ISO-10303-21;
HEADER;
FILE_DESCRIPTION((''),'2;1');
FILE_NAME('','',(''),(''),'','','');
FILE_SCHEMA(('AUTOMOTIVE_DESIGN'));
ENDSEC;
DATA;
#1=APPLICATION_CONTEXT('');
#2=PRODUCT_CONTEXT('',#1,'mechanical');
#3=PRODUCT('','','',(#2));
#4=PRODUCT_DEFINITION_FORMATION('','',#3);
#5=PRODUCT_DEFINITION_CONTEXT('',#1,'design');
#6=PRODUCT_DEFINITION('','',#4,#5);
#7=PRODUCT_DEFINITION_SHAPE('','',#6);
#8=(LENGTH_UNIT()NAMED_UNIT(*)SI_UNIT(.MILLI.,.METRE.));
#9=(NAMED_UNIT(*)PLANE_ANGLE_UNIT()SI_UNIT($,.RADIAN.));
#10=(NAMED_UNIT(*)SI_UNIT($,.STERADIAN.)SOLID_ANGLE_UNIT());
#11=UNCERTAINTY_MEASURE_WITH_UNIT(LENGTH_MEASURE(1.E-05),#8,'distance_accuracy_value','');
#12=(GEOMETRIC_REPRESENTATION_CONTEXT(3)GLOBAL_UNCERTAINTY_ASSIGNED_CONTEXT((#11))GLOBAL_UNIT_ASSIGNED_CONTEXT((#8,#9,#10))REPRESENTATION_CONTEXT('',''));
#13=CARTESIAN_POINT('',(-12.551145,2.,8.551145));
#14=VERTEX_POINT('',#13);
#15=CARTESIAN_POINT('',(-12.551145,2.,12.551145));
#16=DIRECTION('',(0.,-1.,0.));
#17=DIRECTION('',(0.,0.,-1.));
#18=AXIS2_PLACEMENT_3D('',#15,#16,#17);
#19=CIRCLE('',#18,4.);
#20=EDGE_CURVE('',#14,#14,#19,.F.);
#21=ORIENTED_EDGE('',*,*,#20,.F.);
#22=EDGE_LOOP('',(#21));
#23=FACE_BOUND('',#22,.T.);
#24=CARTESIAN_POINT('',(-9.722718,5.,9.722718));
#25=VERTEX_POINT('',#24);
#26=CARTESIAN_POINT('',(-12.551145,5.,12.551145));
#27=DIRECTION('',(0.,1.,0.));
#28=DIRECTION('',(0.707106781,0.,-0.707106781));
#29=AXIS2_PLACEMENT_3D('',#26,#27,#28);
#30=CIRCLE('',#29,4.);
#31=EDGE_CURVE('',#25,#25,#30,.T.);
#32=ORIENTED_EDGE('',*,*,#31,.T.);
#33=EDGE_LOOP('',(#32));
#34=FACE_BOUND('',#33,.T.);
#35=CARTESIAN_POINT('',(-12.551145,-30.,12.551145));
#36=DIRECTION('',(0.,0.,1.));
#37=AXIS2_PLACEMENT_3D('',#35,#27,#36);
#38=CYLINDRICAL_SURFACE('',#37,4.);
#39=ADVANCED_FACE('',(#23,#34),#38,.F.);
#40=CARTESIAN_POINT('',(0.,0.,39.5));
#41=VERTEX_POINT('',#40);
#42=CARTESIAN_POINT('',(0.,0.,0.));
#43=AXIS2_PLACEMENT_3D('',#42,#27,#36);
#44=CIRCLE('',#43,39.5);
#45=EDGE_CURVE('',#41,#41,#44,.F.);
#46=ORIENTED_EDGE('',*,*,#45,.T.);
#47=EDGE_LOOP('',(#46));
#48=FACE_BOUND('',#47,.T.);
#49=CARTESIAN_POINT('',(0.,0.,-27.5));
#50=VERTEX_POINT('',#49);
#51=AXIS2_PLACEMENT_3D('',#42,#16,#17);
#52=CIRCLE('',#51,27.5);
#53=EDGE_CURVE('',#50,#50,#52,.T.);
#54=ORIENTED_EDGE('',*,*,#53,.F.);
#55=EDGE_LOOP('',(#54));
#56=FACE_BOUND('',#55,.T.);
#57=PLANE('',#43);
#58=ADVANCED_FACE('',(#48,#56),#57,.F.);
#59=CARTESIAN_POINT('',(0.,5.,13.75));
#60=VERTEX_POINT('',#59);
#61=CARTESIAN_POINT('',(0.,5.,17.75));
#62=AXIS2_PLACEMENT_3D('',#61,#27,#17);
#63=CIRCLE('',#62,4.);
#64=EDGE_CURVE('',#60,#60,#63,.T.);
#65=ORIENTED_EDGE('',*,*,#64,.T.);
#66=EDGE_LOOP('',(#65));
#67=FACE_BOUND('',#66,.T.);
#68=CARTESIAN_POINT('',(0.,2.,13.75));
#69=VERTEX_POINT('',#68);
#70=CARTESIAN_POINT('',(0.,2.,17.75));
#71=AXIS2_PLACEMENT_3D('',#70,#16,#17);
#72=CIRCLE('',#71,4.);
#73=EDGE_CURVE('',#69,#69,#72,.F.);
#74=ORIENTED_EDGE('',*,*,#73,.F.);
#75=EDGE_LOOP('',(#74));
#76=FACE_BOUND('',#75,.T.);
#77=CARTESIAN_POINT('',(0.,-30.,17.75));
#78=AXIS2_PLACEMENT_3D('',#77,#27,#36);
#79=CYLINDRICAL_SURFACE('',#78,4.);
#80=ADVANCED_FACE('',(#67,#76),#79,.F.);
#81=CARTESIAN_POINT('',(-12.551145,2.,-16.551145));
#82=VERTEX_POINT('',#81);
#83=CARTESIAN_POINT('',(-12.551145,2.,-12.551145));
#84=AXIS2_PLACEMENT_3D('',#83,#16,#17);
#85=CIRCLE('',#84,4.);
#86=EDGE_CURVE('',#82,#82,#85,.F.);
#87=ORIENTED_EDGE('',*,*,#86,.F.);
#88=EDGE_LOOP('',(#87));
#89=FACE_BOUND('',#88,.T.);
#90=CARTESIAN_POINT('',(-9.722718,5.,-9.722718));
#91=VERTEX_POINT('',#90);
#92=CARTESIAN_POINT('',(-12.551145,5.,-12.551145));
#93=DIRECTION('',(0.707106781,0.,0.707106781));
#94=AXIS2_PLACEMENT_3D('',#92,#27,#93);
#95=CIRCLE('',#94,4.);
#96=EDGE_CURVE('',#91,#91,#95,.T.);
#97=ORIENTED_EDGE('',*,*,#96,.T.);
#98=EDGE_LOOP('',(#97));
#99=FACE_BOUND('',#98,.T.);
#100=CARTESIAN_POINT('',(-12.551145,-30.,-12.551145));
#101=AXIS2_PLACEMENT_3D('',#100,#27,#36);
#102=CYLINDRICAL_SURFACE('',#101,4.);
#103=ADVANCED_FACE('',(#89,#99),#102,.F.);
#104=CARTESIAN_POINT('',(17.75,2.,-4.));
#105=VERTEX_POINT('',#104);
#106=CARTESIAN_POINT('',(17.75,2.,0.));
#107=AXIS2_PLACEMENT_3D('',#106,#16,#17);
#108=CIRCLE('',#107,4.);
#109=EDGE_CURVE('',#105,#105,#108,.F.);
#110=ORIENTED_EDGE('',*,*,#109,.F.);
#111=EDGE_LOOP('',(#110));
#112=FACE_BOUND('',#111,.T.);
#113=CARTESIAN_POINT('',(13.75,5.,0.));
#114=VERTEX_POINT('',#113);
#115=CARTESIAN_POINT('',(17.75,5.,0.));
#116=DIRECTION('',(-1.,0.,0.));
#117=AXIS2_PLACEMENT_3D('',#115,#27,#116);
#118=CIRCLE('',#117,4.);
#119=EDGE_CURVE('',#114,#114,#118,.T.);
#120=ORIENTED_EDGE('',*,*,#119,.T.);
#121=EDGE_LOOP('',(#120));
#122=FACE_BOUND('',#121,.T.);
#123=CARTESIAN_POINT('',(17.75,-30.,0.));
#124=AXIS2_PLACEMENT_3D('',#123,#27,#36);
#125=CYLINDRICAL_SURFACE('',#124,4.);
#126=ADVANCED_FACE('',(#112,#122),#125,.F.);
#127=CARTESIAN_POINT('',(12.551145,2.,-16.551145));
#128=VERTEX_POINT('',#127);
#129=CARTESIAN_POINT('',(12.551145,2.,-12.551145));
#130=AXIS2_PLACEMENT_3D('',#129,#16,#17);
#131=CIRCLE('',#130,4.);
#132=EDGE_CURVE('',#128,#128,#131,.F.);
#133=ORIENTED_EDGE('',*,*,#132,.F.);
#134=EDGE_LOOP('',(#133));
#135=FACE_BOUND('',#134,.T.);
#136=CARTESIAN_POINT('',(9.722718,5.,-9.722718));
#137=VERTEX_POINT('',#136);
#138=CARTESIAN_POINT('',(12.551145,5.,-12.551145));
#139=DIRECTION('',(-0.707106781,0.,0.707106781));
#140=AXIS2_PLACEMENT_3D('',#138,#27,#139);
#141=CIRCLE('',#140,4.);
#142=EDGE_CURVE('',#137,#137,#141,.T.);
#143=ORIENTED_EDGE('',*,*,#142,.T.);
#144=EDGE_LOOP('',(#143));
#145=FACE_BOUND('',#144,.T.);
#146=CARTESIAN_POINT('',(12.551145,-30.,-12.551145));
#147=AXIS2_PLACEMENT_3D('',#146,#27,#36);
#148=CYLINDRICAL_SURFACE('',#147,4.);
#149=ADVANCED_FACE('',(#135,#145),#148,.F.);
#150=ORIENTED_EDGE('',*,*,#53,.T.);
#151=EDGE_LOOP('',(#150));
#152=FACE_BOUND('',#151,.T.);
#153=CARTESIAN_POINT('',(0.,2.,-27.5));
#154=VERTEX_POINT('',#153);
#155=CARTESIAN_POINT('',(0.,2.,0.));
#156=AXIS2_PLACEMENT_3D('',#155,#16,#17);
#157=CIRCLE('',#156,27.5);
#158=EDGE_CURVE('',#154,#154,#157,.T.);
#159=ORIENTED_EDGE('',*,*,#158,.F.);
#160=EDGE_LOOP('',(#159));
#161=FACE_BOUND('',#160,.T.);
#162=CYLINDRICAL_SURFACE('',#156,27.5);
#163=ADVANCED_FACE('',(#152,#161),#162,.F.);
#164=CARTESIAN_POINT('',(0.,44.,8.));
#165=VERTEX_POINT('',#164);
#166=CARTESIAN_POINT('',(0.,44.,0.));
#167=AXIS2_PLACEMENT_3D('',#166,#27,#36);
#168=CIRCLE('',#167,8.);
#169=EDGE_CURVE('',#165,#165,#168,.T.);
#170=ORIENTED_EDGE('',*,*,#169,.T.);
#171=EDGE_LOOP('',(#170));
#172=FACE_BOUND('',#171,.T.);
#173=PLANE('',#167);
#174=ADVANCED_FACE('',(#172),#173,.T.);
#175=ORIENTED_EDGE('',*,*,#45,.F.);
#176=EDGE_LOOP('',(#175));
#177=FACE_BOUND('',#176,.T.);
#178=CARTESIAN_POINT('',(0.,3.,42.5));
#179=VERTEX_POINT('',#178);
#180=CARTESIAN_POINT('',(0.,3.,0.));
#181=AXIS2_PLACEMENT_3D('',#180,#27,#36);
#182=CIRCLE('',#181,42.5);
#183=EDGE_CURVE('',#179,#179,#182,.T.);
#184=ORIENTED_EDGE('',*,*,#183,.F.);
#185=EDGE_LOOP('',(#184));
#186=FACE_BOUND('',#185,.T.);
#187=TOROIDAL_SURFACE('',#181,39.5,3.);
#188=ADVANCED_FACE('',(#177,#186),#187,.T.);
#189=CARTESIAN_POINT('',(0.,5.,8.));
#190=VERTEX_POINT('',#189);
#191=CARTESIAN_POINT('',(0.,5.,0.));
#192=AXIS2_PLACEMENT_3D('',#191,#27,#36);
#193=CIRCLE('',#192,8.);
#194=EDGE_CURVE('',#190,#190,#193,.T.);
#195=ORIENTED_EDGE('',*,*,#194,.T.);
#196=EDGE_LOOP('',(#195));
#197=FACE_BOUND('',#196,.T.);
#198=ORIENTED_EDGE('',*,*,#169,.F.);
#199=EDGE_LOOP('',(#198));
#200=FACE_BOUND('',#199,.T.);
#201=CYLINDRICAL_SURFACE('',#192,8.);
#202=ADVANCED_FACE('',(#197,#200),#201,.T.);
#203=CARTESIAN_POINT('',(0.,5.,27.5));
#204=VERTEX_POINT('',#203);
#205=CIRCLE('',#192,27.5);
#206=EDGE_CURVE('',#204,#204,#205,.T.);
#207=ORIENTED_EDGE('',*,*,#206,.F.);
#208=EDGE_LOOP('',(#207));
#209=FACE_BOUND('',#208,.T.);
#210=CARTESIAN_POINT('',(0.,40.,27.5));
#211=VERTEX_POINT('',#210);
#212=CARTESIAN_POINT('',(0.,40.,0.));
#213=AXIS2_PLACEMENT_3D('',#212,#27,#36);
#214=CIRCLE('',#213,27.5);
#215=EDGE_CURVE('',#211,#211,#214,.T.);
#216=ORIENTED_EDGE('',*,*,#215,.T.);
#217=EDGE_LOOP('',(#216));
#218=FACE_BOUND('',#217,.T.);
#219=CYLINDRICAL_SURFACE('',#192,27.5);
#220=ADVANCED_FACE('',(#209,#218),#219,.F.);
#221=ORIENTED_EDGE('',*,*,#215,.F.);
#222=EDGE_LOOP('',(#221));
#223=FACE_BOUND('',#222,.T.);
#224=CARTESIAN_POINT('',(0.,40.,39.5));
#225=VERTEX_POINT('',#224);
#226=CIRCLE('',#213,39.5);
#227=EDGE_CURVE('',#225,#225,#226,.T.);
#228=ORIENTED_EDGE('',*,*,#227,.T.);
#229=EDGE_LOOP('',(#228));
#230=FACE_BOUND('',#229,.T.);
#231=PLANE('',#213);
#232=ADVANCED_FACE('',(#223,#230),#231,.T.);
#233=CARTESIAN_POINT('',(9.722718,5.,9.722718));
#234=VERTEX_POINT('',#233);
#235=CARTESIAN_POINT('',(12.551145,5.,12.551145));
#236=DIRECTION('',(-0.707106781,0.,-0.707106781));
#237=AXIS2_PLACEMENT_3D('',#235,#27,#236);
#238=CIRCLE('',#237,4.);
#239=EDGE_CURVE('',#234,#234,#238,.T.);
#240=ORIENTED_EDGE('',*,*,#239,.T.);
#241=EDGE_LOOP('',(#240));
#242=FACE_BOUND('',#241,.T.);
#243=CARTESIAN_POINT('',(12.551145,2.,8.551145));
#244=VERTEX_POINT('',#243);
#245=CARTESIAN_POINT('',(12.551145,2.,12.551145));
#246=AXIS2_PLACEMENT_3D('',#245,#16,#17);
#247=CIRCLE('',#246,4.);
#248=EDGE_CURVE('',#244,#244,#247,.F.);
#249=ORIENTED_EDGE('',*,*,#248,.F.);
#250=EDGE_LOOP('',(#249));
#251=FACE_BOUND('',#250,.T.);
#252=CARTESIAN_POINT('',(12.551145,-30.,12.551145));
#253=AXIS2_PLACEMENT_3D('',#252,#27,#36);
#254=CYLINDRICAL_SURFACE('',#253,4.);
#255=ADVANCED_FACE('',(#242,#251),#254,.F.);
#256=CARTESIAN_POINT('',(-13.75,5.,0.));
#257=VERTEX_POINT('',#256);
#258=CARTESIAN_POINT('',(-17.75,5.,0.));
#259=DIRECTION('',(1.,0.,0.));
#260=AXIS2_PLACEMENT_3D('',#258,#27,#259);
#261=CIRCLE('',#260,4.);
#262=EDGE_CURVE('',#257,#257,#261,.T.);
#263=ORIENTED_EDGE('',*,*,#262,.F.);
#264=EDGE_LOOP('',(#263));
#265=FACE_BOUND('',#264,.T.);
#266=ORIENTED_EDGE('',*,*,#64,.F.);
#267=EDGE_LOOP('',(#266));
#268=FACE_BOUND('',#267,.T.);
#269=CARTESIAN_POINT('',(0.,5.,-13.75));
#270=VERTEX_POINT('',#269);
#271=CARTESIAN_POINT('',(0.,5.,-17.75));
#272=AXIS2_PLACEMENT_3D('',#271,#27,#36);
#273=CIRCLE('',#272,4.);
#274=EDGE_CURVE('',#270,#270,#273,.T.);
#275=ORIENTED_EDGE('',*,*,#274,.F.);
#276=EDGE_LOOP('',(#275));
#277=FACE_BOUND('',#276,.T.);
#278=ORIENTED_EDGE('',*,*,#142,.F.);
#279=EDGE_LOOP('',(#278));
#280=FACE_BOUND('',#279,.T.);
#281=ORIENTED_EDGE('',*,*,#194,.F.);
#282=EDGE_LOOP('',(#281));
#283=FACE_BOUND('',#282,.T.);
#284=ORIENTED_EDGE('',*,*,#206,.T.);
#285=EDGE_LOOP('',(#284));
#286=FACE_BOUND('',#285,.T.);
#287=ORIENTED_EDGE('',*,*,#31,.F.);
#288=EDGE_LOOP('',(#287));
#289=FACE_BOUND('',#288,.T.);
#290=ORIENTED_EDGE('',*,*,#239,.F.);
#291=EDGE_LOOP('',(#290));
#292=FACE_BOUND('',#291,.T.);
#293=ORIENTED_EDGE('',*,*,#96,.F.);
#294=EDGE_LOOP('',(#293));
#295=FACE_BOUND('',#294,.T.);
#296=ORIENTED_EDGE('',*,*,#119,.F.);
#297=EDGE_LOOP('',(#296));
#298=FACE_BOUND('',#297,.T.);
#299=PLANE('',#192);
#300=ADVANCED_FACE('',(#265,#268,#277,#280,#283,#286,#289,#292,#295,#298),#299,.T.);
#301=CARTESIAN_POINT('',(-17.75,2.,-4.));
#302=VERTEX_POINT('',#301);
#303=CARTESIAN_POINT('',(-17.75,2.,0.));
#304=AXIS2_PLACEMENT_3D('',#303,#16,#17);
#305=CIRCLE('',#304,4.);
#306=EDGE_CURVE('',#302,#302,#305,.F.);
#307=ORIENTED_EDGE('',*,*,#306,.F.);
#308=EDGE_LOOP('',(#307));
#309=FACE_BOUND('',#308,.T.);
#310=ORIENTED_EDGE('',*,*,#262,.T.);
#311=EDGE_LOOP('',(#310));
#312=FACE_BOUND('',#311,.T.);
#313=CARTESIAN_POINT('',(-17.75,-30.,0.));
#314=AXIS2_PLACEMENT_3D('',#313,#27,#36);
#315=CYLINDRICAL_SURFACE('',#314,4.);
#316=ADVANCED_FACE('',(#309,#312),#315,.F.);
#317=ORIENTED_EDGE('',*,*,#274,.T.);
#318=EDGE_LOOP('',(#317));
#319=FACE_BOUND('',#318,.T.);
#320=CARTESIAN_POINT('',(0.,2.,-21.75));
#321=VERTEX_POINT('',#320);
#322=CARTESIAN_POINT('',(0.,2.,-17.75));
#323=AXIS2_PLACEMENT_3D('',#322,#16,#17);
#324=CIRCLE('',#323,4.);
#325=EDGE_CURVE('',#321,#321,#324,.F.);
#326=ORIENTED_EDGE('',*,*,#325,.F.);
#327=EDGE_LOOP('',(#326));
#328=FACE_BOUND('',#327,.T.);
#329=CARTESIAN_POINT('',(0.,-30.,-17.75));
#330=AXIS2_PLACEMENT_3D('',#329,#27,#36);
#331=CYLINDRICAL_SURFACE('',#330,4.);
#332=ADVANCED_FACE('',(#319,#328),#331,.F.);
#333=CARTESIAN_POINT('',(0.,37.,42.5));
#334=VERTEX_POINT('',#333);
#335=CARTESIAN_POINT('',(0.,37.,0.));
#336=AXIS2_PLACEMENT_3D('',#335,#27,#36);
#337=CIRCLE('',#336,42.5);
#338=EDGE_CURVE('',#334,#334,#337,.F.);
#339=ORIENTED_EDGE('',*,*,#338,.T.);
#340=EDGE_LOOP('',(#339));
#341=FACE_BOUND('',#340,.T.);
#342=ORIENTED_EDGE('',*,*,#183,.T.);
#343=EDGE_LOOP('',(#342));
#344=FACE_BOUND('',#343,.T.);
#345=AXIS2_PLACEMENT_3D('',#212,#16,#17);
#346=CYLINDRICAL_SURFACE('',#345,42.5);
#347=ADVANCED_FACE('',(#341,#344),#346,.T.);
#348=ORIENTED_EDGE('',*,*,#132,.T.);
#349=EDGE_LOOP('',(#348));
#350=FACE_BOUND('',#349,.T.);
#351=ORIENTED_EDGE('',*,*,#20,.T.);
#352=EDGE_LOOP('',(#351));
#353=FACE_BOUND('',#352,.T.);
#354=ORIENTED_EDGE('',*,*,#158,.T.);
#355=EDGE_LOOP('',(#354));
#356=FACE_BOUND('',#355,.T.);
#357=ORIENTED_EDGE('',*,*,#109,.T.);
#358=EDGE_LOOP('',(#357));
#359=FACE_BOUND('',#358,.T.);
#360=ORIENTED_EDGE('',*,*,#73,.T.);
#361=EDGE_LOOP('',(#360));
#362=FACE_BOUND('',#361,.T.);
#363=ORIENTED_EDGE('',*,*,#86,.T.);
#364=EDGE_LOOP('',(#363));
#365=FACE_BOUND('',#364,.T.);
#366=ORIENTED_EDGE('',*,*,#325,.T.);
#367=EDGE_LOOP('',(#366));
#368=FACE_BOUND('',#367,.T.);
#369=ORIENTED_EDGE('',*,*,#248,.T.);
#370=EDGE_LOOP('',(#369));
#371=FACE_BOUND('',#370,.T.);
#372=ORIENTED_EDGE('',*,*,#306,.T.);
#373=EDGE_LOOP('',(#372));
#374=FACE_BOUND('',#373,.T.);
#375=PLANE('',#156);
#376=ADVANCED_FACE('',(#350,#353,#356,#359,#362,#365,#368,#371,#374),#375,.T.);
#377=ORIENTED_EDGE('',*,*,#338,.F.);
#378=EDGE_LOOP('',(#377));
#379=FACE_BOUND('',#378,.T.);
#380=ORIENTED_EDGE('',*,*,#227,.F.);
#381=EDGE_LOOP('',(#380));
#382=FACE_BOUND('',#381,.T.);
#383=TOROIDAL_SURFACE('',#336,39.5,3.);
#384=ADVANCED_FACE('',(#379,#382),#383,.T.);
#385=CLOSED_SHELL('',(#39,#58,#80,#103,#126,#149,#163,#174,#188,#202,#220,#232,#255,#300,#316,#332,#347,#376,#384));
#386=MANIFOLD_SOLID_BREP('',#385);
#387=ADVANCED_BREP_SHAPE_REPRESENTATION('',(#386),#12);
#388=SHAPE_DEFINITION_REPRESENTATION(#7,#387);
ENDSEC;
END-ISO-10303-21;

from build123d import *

# Parameters (mm, degrees)
SKETCH_1_R               = 42.5
EXTRUDE_1_DEPTH          = 40
SKETCH_2_R               = 27.5
SKETCH_2_R_2             = 8
CUT_EXTRUDE_1_DEPTH      = 35
SKETCH_3_R               = 4
CUT_EXTRUDE_2_DEPTH      = 35
PATTERN_CIRCULAR_1_COUNT = 8
CUT_EXTRUDE_START        = -2
SKETCH_4_R               = 27.5
CUT_EXTRUDE_3_DEPTH      = 2
EXTRUDE_START            = 4
SKETCH_5_R               = 8
EXTRUDE_2_DEPTH          = 4
FILLET_1_R               = 3


with BuildPart() as part:
    # Эскиз1 → Бобышка-Вытянуть1 (new body)
    with BuildSketch(Plane(origin=(0, 0, 0), x_dir=(1, 0, 0), z_dir=(0, 1, 0))):
        with Locations(Location((0, 0, 0), (0, 0, 270))):
            Circle(SKETCH_1_R)
    extrude(amount=EXTRUDE_1_DEPTH)

    # Эскиз2 → Вырез-Вытянуть1 (cut)
    with BuildSketch(Plane(origin=(0, 40, 0), x_dir=(1, 0, 0), z_dir=(0, 1, 0))):
        with Locations(Location((0, 0, 0), (0, 0, 270))):
            Circle(SKETCH_2_R)
        with Locations(Location((0, 0, 0), (0, 0, 270))):
            Circle(SKETCH_2_R_2, mode=Mode.SUBTRACT)
    extrude(amount=-CUT_EXTRUDE_1_DEPTH, mode=Mode.SUBTRACT)

    # Эскиз3 → Вырез-Вытянуть2 (cut)
    with BuildSketch(Plane(origin=(0, 5, 0), x_dir=(1, 0, 0), z_dir=(0, 1, 0))):
        with Locations(Location((0, 17.75, 0), (0, 0, 270))):
            Circle(SKETCH_3_R)
    cut_extrude_2 = extrude(amount=-CUT_EXTRUDE_2_DEPTH, mode=Mode.SUBTRACT)

    # Круговой массив1: Вырез-Вытянуть2 ×8 about axis
    pattern_circular_1_axis = Axis((0, 0, 0), (0, 1, 0))
    for i in range(1, PATTERN_CIRCULAR_1_COUNT):
        add(cut_extrude_2.rotate(pattern_circular_1_axis, i * 360 / PATTERN_CIRCULAR_1_COUNT), mode=Mode.SUBTRACT)

    # Эскиз4 → Вырез-Вытянуть3 (cut)
    with BuildSketch(Plane.XZ.offset(CUT_EXTRUDE_START)):
        with Locations(Location((0, 0, 0), (0, 0, 90))):
            Circle(SKETCH_4_R)
    extrude(amount=CUT_EXTRUDE_3_DEPTH, mode=Mode.SUBTRACT)

    # Эскиз5 → Бобышка-Вытянуть2 (add)
    with BuildSketch(Plane(origin=(0, 40, 0), x_dir=(1, 0, 0), z_dir=(0, 1, 0)).offset(EXTRUDE_START)):
        with Locations(Location((0, 0, 0), (0, 0, 270))):
            Circle(SKETCH_5_R)
    extrude(amount=-EXTRUDE_2_DEPTH)

    # Скругление1
    fillet_1_edges = [part.edges().sort_by_distance(p)[0] for p in [
        (0, 0, -42.5),
        (0, 40, -42.5),
    ]]
    fillet(fillet_1_edges, radius=FILLET_1_R)


solid = part.part
